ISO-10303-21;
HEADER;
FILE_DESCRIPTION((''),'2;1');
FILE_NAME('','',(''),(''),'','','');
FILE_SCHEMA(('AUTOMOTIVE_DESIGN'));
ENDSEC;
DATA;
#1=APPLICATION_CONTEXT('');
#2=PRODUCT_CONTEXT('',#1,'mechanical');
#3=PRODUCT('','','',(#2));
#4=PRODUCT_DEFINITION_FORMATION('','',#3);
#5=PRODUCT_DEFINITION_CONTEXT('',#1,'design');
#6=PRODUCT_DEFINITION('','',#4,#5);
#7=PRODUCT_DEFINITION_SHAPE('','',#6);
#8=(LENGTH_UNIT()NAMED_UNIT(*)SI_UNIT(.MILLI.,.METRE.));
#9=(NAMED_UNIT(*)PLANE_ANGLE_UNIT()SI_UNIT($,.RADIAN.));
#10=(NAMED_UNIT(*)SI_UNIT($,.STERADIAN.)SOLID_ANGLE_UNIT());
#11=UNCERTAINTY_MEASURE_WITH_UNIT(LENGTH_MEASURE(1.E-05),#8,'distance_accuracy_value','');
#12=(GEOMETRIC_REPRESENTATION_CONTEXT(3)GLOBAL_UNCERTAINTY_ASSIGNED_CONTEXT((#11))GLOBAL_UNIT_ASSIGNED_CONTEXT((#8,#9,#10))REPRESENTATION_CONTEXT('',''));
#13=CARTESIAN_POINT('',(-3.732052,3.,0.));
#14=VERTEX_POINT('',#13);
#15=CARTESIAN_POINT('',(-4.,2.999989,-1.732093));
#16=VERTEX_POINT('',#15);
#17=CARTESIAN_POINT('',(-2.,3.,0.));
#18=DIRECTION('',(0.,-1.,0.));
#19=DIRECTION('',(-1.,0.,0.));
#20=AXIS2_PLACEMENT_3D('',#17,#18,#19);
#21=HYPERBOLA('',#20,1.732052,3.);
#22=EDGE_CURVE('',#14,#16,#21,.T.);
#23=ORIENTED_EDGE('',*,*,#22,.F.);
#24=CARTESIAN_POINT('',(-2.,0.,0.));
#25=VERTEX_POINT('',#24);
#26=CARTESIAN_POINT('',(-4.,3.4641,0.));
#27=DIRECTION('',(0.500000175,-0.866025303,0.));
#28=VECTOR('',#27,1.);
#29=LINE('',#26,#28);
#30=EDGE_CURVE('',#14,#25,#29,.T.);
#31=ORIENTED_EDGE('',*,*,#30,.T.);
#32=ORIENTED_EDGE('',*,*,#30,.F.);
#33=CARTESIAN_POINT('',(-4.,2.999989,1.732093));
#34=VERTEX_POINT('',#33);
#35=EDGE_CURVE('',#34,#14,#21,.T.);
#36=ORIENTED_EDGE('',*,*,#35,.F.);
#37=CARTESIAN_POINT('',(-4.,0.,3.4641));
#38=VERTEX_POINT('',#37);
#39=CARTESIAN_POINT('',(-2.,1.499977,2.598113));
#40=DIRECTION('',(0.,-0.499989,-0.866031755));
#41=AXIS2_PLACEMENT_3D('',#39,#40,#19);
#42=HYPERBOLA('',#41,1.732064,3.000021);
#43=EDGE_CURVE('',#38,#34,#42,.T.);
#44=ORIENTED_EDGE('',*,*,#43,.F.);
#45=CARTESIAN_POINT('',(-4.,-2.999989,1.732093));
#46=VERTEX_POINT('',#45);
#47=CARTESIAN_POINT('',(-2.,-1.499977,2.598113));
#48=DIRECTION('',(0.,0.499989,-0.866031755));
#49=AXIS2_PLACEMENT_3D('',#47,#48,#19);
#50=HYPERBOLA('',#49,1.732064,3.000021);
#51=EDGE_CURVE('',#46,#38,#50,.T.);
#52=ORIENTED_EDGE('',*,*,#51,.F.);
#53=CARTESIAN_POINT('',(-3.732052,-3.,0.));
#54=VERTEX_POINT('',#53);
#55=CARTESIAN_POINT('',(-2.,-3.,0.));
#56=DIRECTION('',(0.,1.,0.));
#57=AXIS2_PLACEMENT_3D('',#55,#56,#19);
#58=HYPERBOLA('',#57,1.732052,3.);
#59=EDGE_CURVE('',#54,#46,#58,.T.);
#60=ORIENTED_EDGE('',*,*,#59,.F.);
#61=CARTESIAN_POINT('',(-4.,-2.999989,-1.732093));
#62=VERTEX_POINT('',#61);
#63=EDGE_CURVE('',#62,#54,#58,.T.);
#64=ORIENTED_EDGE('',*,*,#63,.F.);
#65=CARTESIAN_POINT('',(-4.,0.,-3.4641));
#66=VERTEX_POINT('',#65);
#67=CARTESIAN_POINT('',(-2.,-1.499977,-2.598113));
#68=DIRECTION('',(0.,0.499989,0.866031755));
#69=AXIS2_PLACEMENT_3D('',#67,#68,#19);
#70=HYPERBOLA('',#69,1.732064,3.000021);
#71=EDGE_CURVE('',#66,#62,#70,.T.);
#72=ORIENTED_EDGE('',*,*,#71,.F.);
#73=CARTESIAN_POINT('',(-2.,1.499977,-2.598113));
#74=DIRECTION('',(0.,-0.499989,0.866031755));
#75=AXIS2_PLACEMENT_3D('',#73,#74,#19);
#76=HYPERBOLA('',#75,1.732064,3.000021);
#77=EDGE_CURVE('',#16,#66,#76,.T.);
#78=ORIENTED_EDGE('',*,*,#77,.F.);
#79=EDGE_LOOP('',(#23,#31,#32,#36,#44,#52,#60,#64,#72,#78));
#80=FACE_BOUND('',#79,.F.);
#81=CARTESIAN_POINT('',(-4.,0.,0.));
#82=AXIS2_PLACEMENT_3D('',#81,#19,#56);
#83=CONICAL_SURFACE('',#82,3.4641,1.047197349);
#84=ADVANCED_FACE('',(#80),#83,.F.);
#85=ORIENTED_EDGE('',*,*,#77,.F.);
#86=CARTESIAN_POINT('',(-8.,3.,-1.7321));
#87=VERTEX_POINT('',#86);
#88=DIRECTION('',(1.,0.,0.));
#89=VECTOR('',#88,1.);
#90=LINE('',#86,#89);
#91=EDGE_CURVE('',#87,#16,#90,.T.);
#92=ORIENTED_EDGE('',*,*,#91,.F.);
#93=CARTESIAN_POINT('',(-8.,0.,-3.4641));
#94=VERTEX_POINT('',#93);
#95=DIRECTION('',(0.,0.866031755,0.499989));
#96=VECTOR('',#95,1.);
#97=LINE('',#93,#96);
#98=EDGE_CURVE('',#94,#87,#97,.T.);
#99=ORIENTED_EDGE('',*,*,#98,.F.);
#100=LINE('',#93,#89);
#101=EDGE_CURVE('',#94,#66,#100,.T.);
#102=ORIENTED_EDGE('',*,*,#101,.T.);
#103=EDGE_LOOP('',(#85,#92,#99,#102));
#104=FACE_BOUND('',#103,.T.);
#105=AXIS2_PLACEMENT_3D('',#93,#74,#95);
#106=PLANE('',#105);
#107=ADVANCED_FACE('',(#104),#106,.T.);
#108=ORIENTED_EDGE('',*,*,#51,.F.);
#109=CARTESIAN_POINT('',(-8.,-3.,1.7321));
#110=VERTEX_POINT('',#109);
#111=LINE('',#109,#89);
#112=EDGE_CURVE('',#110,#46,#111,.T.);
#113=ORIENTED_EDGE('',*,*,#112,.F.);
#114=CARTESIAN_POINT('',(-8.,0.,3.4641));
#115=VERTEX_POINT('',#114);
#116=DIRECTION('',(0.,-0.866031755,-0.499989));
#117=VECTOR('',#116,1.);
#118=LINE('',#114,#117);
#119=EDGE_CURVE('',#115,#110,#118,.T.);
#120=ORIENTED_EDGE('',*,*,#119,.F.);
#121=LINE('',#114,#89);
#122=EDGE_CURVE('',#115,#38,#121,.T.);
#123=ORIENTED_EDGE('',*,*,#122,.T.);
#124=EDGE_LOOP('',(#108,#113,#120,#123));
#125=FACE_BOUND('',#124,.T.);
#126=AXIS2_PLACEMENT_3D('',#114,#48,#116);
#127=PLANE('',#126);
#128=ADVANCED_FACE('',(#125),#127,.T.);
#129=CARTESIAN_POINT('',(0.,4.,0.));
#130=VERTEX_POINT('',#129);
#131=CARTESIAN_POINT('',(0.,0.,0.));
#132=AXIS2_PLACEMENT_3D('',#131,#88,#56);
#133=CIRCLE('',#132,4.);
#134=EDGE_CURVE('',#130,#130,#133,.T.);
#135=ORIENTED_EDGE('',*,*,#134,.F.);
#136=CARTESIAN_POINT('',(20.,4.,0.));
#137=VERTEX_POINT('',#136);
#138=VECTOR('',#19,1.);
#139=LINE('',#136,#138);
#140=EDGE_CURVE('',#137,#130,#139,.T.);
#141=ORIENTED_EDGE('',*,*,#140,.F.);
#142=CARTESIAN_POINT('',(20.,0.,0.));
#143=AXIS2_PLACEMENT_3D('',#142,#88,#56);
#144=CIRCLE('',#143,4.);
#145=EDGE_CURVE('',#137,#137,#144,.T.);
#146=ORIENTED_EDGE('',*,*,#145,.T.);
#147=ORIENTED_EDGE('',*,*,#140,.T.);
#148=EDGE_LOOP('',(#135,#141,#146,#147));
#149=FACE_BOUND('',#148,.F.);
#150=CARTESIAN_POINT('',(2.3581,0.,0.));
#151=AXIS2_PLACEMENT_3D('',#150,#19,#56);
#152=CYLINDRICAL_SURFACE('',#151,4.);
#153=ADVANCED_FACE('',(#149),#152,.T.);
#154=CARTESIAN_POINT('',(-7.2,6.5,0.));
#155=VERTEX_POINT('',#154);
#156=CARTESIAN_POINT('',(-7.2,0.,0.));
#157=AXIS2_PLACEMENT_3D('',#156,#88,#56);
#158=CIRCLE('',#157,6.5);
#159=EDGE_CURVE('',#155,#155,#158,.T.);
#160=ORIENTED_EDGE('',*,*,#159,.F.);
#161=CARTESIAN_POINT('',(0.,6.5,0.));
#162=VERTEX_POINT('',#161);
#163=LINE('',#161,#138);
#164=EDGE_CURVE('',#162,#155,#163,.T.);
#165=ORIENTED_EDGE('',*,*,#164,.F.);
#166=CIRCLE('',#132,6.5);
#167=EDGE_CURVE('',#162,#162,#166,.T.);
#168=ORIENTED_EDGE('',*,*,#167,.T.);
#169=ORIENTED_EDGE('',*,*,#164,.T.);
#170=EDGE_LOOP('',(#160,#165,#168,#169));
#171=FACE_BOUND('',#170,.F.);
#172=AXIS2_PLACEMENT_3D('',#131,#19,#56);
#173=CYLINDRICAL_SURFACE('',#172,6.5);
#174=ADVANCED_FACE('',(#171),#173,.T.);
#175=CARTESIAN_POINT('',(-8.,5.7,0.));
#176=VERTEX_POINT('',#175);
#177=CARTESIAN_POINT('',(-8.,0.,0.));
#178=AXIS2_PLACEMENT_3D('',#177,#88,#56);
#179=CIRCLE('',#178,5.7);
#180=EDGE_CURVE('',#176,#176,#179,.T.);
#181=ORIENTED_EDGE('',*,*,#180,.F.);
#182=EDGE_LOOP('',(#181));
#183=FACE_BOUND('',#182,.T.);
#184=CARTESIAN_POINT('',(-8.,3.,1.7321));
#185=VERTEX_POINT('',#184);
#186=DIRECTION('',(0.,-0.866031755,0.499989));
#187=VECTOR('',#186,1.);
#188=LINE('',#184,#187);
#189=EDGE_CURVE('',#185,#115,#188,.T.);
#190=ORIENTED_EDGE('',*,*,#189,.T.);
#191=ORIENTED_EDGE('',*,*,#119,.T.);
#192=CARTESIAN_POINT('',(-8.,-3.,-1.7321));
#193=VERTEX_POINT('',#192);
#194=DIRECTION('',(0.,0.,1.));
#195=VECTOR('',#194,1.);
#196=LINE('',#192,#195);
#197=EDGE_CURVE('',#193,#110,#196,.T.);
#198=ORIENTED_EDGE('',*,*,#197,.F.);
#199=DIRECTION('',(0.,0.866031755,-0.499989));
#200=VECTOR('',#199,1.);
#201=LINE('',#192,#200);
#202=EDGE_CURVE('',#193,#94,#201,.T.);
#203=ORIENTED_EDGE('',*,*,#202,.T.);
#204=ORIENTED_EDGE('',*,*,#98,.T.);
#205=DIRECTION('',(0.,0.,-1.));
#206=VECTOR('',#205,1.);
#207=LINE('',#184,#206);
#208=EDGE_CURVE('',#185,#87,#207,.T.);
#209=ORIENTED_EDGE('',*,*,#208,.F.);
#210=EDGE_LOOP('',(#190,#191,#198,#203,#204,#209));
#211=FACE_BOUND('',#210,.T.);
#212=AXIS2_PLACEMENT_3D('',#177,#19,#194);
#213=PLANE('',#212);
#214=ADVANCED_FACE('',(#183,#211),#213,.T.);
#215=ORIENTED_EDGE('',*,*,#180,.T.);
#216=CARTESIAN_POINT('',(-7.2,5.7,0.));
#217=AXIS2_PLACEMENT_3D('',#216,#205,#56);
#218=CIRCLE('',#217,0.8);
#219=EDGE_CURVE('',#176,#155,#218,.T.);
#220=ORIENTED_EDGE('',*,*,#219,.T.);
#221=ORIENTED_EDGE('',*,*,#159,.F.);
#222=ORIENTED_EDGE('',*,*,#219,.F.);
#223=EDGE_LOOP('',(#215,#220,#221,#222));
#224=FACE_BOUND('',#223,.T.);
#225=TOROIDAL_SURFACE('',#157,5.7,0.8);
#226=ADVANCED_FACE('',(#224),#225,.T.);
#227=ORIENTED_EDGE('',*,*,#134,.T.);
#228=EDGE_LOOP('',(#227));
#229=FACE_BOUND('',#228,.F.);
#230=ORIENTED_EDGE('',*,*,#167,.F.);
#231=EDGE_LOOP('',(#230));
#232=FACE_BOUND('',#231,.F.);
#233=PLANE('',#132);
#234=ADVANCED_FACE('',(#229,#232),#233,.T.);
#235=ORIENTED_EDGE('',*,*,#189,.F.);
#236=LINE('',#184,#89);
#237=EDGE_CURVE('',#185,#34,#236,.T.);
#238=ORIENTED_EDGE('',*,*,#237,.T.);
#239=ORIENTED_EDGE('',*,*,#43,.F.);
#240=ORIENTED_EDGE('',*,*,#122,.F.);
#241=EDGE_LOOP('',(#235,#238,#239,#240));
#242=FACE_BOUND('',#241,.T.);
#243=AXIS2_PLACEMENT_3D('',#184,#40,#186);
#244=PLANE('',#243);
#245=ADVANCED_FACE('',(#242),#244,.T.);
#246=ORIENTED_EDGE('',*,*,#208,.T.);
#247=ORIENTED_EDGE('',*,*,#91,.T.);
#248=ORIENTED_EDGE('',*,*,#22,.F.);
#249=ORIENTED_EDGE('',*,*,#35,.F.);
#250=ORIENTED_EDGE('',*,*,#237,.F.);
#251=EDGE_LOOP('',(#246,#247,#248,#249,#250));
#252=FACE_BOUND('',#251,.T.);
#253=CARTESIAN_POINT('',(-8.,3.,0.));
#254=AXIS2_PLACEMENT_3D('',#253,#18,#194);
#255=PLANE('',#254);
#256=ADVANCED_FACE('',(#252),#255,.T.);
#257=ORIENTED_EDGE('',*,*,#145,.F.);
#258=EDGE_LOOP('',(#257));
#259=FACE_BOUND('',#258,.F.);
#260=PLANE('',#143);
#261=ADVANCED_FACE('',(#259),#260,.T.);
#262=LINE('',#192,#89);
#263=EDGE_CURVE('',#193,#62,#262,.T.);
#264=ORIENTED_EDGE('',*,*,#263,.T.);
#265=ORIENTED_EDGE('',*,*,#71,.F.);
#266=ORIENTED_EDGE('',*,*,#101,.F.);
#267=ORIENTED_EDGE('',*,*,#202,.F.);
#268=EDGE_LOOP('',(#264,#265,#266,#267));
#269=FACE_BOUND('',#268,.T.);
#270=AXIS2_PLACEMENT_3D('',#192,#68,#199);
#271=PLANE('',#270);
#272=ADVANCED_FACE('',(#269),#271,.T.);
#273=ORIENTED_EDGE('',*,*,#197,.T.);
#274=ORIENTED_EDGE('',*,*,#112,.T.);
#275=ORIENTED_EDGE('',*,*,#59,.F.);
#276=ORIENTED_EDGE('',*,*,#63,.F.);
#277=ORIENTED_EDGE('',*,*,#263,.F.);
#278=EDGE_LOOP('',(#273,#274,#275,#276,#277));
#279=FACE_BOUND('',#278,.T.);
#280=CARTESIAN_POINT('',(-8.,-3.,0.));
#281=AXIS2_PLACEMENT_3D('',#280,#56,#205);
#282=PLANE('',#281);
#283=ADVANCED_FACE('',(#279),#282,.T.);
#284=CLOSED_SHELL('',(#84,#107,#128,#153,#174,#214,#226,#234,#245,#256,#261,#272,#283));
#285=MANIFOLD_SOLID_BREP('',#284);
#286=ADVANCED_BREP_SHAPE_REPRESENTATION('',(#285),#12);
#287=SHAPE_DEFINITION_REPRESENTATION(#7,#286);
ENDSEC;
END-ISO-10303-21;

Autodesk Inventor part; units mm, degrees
ref_plane "YZ Plane" through (0, 0, 0) normal (1, 0, 0) x (0, 1, 0)
ref_plane "XZ Plane" through (0, 0, 0) normal (0, 1, 0) x (-1, 0, 0)
ref_plane "XY Plane" through (0, 0, 0) normal (0, 0, 1) x (1, 0, 0)
sketch "Sketch1" plane through (0, 0, 0) normal (0, 0, 1) x (1, 0, 0)
  line L0 (-2, 0) -> (20, 0)
  line L1 (20, 0) -> (20, 4)
  line L2 (20, 4) -> (3.125, 4)
  line L3 (3.125, 4) -> (2.3581, 4)
  line L4 (2.3581, 4) -> (0, 4)
  line L5 (0, 4) -> (0, 6.5)
  line L6 (0, 6.5) -> (-8, 6.5)
  line L7 (-8, 6.5) -> (-8, 3.4641)
  line L8 (-8, 3.4641) -> (-4, 3.4641)
  line L9 (-4, 3.4641) -> (-2, 0)
  line L10 (-13.6, 0) -> (25.6, 0) projected
  line L11 (0, -1.3) -> (0, 7.8) projected
  line L12 (3.125, 4) -> (0, 4) construction
  dimension "d1" = 16.875
  dimension "d2" = 0.7669
  dimension "d3" = 8
  dimension "d4" = 4
  dimension "d5" = 60
  dimension "d6" = 8
  dimension "d7" = 8
  dimension "d8" = 6.9282
  dimension "d9" = 13
  dimension "d26" = 20
revolve "Body" add sketch "Sketch1" angle 360 about axis through (-2, 0, 0) along (1, 0, 0)
sketch "Sketch2" plane through (-8, 0, 0) normal (-1, 0, 0) x (0, 0, 1)
  circle A0 centre (0, 0) radius 3.4641 projected
  line L0 (0, -9.1) -> (0, 9.1) projected
  line L1 (-9.1, 0) -> (9.1, 0) projected
  line L2 (3.4641, 0) -> (1.7321, -3)
  line L3 (1.7321, -3) -> (-1.7321, -3)
  line L4 (-1.7321, -3) -> (-3.4641, 0)
  line L5 (-3.4641, 0) -> (-1.7321, 3)
  line L6 (-1.7321, 3) -> (1.7321, 3)
  line L7 (1.7321, 3) -> (3.4641, 0)
extrude "Slot" add sketch "Sketch2" against normal up to next contours L7 A0 | A0 L2 | L6 L0 A0 | A0 L0 L3 | L0 L6 A0 | A0 L3 L0 | L4 A0 | A0 L5
fillet "Fillet1" radius 0.8 1 edges at (-8, -6.5, 0)
thread "Thread" size "M8x1.25" class "6g" standard "ISO Metric profile" length 16.875
equation "\"d1\" = GEL"
equation "\"d3\" = KOH"
equation "\"d4\" = INTI"
equation "\"d6\" = GD"
equation "\"d7\" = BDM"
equation "\"d8\" = 1.1547 * SW"
equation "\"d9\" = KOD"
equation "\"d26\" = NLG"
equation "\"d17\" = RR"
equation "\"d13\" = GEL"
equation "\"GD\" = 8"
equation "\"NLG\" = 20"
equation "\"GEL\" = 16.875"
equation "\"KOD\" = 13"
equation "\"KOH\" = 8"
equation "\"INTI\" = 4"
equation "\"GAL\" = 0.61345 * PTC"
equation "\"GUL\" = 0.61345 * PTC"
equation "\"BDM\" = NND"
equation "\"SW\" = 6"
equation "\"RR\" = 0.8"
equation "\"SPD\" = NND - 1.2269 * PTC"
equation "\"R\" = 0.1"
equation "\"TOA\" = 30deg"
equation "\"GD1\" = THREADDIA - 1.2269 * PTC"
equation "\"THREADDIA\" = 8"
equation "\"FAWI\" = 45deg"
equation "\"PTC\" = 1.25"
equation "\"NND\" = 8"
equation "\"E0\" = 1.155 * SW"
equation "\"d38\" = 55deg"
equation "\"Sketch4_Pitch\" = 1.25"
properties part number "ISO 4762 - M8 x 20" material "Stainless Steel, 440C"
